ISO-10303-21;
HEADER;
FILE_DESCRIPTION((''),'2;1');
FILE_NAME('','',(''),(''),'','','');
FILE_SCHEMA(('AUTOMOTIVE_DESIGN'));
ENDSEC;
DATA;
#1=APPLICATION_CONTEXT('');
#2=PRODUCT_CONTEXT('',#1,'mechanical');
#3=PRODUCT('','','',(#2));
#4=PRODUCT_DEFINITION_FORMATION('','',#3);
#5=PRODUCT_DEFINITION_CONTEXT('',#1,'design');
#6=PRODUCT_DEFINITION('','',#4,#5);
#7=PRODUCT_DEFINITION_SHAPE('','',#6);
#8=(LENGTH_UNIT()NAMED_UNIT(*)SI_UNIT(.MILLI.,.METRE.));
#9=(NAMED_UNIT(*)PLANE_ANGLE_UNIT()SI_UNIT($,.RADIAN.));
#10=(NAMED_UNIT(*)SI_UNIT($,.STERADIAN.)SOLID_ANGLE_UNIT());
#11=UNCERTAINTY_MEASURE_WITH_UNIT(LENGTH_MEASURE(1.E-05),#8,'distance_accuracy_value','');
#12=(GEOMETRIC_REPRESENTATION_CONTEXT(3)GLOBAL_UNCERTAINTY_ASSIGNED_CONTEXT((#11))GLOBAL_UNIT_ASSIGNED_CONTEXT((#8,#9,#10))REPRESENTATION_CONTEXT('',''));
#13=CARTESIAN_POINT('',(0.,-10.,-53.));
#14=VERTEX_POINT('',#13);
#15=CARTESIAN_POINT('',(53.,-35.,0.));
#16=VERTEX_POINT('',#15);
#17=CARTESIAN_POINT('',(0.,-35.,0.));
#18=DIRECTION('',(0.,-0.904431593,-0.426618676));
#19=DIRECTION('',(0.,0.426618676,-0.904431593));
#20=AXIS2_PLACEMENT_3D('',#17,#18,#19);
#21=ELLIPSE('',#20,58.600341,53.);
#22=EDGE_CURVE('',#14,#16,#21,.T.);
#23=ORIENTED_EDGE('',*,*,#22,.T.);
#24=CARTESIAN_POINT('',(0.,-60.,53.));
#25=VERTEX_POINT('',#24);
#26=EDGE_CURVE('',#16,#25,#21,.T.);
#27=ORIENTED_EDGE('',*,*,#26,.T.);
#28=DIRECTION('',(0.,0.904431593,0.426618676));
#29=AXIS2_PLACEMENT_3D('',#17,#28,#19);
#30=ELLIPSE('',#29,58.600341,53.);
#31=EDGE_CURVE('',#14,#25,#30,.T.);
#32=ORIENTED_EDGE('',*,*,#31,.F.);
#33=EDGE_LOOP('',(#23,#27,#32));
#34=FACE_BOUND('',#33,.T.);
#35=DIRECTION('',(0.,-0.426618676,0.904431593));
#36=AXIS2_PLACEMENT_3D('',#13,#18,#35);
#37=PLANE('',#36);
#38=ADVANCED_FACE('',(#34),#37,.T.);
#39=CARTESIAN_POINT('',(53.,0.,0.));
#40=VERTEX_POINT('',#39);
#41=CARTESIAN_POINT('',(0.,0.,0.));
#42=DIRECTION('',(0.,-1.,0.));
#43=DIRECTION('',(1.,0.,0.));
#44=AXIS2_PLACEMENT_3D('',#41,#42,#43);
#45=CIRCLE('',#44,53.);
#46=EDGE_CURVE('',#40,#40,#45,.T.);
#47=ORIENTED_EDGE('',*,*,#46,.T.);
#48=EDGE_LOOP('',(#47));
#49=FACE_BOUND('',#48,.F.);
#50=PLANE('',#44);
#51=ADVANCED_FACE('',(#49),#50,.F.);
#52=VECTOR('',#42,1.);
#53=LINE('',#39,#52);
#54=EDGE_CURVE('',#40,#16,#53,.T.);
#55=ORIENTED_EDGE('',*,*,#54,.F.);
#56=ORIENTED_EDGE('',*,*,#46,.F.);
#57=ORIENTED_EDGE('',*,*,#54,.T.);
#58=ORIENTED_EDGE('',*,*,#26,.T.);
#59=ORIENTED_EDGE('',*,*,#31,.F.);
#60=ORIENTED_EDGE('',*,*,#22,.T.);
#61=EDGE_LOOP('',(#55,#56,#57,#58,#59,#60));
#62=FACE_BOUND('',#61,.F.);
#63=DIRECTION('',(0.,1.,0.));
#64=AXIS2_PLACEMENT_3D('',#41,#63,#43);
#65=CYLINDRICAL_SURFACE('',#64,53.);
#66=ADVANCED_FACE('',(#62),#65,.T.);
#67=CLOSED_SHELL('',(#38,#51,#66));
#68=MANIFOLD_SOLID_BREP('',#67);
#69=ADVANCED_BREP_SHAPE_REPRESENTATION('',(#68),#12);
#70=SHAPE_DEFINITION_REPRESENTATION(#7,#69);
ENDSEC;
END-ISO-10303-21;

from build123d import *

# Parameters (mm, degrees)
F0_R          = 53
F1_DEPTH      = 60
F3_DEPTH      = 53.001
F3_DEPTH_BACK = 53.001


with BuildPart() as f1:
    # F0 (on Front) → F1 (new body)
    with BuildSketch(Plane.XZ):
        Circle(F0_R)
    extrude(amount=F1_DEPTH)

    # F2 (on Right) → F3 (cut, two sides)
    with BuildSketch(Plane.YZ) as f3_sk:
        Polygon((-60, -53), (-10, -53), (-60, 53), align=None)
    extrude(amount=F3_DEPTH, mode=Mode.SUBTRACT)
    extrude(f3_sk.sketch, amount=-F3_DEPTH_BACK, mode=Mode.SUBTRACT)


solid = f1.part
